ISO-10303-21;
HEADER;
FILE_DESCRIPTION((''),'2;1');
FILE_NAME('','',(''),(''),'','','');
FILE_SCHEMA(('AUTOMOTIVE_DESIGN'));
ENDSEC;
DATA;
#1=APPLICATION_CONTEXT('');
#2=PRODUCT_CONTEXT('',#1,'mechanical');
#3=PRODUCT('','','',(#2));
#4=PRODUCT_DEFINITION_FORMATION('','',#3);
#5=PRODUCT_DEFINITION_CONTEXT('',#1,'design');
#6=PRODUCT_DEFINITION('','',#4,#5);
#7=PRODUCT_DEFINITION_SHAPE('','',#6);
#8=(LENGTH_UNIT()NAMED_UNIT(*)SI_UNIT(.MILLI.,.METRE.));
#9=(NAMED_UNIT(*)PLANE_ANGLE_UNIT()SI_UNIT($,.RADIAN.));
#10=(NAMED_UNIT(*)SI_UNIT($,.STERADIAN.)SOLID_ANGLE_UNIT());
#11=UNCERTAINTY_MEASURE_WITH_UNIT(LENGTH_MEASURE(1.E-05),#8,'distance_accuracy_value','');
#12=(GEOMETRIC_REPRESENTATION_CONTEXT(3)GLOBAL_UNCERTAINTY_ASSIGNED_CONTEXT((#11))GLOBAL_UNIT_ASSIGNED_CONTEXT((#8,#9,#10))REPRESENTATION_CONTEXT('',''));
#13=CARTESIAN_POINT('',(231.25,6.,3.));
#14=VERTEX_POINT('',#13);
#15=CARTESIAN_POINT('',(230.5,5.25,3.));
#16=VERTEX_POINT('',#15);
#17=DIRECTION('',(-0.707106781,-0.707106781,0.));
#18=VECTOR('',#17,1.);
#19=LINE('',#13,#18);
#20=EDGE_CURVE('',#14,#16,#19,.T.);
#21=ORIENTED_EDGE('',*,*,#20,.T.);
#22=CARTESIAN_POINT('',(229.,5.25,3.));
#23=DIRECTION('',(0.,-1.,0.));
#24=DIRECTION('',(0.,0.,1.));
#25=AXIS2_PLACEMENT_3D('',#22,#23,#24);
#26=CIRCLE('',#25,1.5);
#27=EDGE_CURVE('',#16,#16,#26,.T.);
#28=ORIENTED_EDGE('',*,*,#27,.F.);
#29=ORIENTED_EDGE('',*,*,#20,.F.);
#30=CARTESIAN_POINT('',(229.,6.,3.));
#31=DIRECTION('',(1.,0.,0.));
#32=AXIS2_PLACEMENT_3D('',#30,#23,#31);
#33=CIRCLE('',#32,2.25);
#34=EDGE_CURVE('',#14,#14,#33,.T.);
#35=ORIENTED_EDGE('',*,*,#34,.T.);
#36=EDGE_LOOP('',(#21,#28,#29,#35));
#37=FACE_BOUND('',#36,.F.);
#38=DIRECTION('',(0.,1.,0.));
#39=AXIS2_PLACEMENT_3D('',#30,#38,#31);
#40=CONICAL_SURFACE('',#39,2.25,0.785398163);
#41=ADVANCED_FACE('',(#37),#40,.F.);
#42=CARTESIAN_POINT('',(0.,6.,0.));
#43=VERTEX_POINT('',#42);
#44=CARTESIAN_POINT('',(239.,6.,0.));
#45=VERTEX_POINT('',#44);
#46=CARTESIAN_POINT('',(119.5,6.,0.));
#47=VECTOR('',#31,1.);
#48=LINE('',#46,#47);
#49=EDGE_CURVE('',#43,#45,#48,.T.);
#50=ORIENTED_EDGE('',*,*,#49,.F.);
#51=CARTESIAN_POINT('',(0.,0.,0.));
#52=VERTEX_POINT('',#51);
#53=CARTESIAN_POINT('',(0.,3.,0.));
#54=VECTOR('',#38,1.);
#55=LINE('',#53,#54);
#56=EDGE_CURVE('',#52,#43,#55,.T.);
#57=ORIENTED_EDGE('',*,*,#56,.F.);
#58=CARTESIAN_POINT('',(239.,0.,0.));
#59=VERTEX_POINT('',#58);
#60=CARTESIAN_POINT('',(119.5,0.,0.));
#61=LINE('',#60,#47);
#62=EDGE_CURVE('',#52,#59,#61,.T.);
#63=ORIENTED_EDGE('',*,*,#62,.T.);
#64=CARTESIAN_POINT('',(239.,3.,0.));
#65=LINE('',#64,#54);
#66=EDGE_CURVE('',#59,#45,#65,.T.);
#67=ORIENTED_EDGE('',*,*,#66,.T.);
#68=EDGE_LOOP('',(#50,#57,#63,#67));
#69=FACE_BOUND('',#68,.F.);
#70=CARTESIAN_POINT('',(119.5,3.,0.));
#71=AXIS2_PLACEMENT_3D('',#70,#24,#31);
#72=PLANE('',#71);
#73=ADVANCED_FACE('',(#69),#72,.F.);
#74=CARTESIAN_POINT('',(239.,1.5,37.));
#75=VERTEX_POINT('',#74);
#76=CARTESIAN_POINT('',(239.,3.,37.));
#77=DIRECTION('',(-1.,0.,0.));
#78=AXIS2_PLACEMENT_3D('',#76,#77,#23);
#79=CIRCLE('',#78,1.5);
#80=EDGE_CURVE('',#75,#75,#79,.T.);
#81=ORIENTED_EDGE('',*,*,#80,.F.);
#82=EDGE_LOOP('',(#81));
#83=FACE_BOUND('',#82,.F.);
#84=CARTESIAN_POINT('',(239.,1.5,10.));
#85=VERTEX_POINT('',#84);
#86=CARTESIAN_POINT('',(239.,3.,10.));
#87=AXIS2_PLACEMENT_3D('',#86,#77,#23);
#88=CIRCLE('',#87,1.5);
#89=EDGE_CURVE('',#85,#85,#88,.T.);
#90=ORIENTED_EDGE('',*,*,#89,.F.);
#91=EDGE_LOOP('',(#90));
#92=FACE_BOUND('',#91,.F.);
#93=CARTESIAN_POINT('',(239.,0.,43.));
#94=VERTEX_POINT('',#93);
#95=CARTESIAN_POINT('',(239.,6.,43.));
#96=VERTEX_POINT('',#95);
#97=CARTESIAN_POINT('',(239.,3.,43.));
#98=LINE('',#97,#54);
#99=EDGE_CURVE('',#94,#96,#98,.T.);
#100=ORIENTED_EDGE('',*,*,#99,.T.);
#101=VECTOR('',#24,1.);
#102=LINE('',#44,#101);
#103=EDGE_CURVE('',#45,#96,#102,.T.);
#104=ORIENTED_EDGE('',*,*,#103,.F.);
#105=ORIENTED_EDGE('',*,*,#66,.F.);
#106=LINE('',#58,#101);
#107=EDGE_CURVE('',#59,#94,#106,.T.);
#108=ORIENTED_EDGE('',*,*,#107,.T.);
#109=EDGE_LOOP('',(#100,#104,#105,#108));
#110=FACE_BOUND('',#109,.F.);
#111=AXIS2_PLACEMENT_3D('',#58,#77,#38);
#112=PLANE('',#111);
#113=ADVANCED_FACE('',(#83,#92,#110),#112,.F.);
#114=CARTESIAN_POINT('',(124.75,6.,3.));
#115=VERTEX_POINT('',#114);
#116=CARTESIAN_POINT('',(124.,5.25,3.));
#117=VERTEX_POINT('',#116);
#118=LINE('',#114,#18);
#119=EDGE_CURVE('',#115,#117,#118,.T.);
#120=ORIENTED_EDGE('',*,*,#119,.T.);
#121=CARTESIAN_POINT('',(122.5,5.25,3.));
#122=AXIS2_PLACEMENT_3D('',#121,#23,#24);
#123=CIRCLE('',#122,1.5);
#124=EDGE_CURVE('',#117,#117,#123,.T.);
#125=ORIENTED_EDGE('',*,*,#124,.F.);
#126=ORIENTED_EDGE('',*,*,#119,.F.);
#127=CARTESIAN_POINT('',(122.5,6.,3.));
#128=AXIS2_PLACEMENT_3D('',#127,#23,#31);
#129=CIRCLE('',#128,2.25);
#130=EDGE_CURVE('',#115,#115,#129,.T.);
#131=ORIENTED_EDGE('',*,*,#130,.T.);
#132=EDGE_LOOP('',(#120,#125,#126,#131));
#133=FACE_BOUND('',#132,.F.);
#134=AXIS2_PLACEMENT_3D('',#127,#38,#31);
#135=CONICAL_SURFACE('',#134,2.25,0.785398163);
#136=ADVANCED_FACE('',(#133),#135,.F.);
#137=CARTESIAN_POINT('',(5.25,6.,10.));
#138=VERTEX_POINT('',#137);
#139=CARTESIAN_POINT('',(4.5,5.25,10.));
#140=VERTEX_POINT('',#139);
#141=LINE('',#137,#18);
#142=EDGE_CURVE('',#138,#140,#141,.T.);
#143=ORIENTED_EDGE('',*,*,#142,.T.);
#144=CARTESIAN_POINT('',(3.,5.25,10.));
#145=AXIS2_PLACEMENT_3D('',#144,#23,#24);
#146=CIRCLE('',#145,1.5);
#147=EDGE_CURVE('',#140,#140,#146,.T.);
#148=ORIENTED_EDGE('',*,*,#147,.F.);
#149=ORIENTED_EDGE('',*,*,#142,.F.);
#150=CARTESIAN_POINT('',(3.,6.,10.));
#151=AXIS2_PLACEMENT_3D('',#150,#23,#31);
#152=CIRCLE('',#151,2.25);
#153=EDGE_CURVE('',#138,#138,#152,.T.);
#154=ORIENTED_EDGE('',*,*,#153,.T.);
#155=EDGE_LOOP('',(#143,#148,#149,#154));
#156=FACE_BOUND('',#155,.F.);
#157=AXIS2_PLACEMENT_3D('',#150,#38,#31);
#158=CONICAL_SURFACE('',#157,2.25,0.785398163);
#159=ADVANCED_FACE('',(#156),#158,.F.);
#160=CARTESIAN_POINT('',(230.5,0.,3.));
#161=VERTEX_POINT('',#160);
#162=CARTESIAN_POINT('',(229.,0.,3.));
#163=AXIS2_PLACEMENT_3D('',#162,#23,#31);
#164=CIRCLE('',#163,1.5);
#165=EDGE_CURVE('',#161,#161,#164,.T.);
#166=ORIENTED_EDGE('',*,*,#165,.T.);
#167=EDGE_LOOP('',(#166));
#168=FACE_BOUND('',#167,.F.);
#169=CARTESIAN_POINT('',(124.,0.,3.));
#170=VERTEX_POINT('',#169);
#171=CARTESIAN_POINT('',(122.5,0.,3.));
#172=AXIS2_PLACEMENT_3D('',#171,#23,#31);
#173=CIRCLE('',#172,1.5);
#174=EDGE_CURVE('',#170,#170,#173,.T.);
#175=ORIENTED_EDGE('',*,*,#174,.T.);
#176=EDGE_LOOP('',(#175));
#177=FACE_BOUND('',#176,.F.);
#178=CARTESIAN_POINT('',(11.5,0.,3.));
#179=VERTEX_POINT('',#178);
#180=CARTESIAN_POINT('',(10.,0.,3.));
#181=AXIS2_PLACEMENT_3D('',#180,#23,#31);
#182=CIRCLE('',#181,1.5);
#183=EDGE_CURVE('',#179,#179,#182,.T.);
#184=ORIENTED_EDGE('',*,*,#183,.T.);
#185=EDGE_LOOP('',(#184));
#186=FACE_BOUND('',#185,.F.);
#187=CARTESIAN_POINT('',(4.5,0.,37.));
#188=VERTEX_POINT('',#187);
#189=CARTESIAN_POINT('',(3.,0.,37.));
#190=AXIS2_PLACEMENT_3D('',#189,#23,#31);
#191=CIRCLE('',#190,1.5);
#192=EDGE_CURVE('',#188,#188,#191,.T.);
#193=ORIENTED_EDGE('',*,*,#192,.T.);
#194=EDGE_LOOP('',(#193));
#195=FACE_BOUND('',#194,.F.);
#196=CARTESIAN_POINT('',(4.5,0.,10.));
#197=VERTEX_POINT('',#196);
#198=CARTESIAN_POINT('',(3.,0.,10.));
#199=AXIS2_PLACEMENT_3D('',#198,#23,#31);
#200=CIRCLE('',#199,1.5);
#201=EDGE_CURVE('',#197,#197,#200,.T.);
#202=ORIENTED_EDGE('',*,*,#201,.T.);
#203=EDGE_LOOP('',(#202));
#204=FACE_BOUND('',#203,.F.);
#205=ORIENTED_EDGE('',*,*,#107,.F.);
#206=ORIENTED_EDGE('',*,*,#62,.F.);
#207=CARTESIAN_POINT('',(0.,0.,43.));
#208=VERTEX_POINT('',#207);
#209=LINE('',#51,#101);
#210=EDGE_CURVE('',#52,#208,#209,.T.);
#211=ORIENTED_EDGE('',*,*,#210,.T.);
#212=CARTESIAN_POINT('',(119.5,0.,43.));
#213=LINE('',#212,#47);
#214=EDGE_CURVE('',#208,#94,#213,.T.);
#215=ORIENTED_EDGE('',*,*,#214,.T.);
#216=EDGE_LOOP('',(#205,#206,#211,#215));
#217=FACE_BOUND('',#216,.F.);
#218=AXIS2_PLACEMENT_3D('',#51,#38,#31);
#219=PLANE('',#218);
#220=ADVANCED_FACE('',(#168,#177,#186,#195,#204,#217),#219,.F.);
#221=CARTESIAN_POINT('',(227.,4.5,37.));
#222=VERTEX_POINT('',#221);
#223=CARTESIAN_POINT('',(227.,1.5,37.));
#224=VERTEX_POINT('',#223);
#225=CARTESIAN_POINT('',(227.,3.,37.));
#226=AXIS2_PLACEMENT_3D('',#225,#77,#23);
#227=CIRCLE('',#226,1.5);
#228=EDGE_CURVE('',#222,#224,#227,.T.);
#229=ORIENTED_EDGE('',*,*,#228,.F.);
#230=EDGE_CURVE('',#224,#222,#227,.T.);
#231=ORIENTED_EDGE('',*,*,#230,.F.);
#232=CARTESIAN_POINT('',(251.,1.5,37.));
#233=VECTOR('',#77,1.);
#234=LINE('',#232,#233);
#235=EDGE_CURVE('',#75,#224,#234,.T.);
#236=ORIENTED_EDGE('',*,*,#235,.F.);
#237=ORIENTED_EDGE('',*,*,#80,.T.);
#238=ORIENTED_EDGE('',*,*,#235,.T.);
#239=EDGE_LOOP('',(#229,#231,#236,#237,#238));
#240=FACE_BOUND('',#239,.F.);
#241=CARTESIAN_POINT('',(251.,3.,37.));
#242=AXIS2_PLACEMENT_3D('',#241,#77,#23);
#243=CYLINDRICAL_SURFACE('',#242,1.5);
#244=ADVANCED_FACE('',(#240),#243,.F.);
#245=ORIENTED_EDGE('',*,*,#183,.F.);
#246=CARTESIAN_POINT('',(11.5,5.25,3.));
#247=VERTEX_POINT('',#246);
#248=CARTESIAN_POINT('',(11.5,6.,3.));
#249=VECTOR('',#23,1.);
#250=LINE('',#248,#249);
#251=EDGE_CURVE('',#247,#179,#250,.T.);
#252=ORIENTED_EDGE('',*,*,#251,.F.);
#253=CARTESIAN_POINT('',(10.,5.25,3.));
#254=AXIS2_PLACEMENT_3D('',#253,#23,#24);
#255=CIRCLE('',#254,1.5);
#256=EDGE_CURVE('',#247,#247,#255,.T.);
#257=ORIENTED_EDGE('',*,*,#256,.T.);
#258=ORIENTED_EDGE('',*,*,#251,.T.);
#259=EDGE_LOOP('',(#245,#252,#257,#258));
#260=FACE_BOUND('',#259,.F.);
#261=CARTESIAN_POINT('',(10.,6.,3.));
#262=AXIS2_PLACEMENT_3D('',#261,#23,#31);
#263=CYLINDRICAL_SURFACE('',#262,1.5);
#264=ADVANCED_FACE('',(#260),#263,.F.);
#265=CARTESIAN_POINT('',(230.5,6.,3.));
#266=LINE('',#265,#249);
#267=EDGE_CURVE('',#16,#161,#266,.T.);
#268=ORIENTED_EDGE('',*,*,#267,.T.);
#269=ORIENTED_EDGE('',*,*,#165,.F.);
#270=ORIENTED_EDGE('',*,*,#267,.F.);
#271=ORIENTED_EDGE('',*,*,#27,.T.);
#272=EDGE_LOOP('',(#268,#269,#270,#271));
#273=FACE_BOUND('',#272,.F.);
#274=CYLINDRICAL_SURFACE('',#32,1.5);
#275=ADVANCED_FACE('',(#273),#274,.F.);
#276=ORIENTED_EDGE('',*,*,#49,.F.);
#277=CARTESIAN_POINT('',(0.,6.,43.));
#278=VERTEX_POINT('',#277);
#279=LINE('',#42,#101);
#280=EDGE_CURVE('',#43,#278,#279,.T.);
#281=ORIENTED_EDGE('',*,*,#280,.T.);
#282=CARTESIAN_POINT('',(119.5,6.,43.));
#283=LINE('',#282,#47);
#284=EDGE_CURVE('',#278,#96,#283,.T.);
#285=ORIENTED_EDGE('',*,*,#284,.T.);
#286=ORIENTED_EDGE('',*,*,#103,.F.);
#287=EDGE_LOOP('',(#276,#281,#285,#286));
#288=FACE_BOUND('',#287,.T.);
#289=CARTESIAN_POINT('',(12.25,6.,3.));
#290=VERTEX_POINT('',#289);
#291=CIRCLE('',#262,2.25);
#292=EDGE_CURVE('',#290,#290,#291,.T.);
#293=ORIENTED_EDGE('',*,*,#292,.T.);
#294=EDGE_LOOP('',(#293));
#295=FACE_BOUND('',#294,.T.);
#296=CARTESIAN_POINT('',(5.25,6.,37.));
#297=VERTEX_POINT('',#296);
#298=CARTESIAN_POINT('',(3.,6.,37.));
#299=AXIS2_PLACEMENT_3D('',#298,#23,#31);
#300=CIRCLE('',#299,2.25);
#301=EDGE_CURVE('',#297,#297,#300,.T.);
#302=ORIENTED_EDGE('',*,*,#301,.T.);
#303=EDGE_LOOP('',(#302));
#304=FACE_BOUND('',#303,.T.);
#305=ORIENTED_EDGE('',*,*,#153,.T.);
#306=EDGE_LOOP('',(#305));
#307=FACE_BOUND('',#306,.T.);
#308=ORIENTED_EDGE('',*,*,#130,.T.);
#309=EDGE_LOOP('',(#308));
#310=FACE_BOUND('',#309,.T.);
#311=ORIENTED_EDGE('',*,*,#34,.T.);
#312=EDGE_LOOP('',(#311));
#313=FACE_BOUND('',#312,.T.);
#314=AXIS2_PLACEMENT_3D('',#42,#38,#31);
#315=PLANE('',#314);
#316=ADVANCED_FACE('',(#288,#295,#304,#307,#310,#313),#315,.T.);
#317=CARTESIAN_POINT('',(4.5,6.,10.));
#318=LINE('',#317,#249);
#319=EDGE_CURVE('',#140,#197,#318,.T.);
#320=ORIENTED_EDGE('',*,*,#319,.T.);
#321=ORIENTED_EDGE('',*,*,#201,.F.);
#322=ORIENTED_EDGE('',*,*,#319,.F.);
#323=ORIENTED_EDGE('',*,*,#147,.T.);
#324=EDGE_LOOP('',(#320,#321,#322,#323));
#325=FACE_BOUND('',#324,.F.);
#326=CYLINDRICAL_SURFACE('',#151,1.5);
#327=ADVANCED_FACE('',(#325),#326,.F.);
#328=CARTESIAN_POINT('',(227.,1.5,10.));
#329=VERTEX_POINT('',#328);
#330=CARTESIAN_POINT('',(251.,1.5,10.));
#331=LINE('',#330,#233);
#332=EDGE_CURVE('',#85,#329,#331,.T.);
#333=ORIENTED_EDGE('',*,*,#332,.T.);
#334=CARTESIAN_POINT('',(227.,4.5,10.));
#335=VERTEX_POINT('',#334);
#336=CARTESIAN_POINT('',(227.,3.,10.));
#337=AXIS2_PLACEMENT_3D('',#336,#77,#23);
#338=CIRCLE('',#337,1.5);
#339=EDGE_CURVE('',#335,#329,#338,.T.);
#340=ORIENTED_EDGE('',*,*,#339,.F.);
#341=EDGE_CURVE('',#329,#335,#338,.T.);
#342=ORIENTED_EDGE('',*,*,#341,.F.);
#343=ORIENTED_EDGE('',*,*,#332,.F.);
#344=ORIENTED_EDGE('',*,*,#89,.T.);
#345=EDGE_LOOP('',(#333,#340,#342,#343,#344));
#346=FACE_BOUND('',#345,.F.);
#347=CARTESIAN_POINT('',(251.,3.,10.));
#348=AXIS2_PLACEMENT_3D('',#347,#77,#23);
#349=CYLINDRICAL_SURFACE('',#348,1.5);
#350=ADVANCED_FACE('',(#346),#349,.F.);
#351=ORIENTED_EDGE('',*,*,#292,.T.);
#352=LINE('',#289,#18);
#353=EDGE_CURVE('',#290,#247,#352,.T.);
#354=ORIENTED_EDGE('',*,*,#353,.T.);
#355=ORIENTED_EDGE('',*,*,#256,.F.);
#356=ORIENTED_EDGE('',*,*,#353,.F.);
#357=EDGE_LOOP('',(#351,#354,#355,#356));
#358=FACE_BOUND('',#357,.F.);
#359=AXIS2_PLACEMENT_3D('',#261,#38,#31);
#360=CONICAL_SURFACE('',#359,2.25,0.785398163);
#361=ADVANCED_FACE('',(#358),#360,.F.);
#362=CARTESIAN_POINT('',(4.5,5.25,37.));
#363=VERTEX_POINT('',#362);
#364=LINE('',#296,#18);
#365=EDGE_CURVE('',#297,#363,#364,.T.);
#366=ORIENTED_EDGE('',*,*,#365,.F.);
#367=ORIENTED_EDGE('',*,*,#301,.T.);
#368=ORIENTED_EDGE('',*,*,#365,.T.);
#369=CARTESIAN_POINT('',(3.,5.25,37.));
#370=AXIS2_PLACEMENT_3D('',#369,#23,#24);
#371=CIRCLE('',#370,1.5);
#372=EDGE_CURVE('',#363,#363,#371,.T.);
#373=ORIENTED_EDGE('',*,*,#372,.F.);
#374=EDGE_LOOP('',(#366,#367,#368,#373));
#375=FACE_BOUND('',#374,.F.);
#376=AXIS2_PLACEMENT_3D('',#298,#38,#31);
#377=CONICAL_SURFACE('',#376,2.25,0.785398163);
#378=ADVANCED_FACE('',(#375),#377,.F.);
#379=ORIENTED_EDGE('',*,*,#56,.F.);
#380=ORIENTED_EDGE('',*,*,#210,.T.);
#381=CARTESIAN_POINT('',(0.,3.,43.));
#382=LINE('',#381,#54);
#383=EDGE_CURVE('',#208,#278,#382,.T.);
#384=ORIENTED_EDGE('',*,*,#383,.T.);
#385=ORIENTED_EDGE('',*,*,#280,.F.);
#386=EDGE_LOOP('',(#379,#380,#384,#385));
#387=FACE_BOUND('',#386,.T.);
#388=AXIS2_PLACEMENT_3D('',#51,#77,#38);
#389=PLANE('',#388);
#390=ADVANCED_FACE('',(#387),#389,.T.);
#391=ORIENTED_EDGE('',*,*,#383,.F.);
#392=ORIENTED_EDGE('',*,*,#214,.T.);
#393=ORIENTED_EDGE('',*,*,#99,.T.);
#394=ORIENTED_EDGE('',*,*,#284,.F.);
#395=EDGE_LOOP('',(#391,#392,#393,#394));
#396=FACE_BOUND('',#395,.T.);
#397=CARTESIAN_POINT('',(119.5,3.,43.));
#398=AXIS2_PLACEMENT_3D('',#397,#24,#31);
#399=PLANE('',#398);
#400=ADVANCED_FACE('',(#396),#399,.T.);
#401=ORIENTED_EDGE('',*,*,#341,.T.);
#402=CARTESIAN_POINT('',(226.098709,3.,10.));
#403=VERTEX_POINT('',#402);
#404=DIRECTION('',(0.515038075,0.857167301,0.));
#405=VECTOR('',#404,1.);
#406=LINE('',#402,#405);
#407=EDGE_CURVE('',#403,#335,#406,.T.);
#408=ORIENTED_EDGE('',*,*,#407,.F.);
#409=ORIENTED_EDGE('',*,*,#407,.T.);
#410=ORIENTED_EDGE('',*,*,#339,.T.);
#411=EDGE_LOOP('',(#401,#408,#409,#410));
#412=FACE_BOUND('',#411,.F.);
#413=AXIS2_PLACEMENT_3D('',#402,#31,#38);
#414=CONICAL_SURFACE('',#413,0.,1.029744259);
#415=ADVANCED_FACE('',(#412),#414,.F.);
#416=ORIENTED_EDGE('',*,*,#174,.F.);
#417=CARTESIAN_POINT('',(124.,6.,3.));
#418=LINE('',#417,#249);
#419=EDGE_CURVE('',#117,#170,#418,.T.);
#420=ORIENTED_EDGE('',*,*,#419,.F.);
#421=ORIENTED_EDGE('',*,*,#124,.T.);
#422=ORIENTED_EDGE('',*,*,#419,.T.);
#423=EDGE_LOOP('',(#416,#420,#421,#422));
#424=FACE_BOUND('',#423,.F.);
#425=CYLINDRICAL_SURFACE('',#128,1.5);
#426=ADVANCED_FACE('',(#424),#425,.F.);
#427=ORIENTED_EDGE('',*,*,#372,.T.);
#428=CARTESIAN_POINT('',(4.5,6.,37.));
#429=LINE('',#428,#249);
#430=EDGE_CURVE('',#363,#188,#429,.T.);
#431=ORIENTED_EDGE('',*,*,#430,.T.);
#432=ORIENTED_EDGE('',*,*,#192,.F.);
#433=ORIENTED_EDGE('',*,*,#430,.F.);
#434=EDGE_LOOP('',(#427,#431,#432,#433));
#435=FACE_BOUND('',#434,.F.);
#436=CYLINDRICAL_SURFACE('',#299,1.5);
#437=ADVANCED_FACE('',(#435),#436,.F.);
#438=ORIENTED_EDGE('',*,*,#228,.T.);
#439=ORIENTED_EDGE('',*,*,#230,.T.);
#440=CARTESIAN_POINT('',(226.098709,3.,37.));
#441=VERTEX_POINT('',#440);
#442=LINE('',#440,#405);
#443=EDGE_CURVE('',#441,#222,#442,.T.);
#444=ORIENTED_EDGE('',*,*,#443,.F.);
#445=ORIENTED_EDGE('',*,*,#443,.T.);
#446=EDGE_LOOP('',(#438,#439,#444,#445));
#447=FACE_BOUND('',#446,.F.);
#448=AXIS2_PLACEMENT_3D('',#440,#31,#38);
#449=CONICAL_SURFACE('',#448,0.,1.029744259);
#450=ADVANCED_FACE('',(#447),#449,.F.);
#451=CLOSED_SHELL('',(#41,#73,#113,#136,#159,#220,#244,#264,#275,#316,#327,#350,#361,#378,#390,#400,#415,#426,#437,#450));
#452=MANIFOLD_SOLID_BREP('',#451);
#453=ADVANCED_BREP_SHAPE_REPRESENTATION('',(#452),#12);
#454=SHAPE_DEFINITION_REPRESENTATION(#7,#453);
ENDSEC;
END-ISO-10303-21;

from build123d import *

# Parameters (mm, degrees)
F0_W           = 239
F0_H           = 6
F1_DEPTH       = 43
F3_D           = 3
F3_CSINK_D     = 4.5
F3_CSINK_ANGLE = 90
F5_D           = 3
F5_DEPTH       = 12
F5_TIP         = 0.9012909285
F7_D           = 3
F7_CSINK_D     = 4.5
F7_CSINK_ANGLE = 90


with BuildPart() as f1:
    # F0 (on Top) → F1 (new body)
    with BuildSketch(Plane.XY):
        with Locations((119.5, 3)):
            Rectangle(F0_W, F0_H)
    extrude(amount=F1_DEPTH)

    # F3 (through all)
    with Locations(Plane(origin=(0, 6, 0), x_dir=(-1, 0, 0), z_dir=(0, 1, 0))):
        with Locations((-229, 3), (-122.5, 3), (-10, 3)):
            CounterSinkHole(F3_D / 2, F3_CSINK_D / 2, counter_sink_angle=F3_CSINK_ANGLE)

    # F5
    with Locations(Plane.YZ.offset(239)):
        with Locations((3, 37), (3, 10)):
            Hole(F5_D / 2, depth=F5_DEPTH)
            with Locations((0, 0, -(F5_DEPTH + F5_TIP / 2))):  # 118° drill point
                Cone(0, F5_D / 2, F5_TIP, mode=Mode.SUBTRACT)

    # F7 (through all)
    with Locations(Plane(origin=(0, 6, 0), x_dir=(-1, 0, 0), z_dir=(0, 1, 0))):
        with Locations((-3, 37), (-3, 10)):
            CounterSinkHole(F7_D / 2, F7_CSINK_D / 2, counter_sink_angle=F7_CSINK_ANGLE)


solid = f1.part
